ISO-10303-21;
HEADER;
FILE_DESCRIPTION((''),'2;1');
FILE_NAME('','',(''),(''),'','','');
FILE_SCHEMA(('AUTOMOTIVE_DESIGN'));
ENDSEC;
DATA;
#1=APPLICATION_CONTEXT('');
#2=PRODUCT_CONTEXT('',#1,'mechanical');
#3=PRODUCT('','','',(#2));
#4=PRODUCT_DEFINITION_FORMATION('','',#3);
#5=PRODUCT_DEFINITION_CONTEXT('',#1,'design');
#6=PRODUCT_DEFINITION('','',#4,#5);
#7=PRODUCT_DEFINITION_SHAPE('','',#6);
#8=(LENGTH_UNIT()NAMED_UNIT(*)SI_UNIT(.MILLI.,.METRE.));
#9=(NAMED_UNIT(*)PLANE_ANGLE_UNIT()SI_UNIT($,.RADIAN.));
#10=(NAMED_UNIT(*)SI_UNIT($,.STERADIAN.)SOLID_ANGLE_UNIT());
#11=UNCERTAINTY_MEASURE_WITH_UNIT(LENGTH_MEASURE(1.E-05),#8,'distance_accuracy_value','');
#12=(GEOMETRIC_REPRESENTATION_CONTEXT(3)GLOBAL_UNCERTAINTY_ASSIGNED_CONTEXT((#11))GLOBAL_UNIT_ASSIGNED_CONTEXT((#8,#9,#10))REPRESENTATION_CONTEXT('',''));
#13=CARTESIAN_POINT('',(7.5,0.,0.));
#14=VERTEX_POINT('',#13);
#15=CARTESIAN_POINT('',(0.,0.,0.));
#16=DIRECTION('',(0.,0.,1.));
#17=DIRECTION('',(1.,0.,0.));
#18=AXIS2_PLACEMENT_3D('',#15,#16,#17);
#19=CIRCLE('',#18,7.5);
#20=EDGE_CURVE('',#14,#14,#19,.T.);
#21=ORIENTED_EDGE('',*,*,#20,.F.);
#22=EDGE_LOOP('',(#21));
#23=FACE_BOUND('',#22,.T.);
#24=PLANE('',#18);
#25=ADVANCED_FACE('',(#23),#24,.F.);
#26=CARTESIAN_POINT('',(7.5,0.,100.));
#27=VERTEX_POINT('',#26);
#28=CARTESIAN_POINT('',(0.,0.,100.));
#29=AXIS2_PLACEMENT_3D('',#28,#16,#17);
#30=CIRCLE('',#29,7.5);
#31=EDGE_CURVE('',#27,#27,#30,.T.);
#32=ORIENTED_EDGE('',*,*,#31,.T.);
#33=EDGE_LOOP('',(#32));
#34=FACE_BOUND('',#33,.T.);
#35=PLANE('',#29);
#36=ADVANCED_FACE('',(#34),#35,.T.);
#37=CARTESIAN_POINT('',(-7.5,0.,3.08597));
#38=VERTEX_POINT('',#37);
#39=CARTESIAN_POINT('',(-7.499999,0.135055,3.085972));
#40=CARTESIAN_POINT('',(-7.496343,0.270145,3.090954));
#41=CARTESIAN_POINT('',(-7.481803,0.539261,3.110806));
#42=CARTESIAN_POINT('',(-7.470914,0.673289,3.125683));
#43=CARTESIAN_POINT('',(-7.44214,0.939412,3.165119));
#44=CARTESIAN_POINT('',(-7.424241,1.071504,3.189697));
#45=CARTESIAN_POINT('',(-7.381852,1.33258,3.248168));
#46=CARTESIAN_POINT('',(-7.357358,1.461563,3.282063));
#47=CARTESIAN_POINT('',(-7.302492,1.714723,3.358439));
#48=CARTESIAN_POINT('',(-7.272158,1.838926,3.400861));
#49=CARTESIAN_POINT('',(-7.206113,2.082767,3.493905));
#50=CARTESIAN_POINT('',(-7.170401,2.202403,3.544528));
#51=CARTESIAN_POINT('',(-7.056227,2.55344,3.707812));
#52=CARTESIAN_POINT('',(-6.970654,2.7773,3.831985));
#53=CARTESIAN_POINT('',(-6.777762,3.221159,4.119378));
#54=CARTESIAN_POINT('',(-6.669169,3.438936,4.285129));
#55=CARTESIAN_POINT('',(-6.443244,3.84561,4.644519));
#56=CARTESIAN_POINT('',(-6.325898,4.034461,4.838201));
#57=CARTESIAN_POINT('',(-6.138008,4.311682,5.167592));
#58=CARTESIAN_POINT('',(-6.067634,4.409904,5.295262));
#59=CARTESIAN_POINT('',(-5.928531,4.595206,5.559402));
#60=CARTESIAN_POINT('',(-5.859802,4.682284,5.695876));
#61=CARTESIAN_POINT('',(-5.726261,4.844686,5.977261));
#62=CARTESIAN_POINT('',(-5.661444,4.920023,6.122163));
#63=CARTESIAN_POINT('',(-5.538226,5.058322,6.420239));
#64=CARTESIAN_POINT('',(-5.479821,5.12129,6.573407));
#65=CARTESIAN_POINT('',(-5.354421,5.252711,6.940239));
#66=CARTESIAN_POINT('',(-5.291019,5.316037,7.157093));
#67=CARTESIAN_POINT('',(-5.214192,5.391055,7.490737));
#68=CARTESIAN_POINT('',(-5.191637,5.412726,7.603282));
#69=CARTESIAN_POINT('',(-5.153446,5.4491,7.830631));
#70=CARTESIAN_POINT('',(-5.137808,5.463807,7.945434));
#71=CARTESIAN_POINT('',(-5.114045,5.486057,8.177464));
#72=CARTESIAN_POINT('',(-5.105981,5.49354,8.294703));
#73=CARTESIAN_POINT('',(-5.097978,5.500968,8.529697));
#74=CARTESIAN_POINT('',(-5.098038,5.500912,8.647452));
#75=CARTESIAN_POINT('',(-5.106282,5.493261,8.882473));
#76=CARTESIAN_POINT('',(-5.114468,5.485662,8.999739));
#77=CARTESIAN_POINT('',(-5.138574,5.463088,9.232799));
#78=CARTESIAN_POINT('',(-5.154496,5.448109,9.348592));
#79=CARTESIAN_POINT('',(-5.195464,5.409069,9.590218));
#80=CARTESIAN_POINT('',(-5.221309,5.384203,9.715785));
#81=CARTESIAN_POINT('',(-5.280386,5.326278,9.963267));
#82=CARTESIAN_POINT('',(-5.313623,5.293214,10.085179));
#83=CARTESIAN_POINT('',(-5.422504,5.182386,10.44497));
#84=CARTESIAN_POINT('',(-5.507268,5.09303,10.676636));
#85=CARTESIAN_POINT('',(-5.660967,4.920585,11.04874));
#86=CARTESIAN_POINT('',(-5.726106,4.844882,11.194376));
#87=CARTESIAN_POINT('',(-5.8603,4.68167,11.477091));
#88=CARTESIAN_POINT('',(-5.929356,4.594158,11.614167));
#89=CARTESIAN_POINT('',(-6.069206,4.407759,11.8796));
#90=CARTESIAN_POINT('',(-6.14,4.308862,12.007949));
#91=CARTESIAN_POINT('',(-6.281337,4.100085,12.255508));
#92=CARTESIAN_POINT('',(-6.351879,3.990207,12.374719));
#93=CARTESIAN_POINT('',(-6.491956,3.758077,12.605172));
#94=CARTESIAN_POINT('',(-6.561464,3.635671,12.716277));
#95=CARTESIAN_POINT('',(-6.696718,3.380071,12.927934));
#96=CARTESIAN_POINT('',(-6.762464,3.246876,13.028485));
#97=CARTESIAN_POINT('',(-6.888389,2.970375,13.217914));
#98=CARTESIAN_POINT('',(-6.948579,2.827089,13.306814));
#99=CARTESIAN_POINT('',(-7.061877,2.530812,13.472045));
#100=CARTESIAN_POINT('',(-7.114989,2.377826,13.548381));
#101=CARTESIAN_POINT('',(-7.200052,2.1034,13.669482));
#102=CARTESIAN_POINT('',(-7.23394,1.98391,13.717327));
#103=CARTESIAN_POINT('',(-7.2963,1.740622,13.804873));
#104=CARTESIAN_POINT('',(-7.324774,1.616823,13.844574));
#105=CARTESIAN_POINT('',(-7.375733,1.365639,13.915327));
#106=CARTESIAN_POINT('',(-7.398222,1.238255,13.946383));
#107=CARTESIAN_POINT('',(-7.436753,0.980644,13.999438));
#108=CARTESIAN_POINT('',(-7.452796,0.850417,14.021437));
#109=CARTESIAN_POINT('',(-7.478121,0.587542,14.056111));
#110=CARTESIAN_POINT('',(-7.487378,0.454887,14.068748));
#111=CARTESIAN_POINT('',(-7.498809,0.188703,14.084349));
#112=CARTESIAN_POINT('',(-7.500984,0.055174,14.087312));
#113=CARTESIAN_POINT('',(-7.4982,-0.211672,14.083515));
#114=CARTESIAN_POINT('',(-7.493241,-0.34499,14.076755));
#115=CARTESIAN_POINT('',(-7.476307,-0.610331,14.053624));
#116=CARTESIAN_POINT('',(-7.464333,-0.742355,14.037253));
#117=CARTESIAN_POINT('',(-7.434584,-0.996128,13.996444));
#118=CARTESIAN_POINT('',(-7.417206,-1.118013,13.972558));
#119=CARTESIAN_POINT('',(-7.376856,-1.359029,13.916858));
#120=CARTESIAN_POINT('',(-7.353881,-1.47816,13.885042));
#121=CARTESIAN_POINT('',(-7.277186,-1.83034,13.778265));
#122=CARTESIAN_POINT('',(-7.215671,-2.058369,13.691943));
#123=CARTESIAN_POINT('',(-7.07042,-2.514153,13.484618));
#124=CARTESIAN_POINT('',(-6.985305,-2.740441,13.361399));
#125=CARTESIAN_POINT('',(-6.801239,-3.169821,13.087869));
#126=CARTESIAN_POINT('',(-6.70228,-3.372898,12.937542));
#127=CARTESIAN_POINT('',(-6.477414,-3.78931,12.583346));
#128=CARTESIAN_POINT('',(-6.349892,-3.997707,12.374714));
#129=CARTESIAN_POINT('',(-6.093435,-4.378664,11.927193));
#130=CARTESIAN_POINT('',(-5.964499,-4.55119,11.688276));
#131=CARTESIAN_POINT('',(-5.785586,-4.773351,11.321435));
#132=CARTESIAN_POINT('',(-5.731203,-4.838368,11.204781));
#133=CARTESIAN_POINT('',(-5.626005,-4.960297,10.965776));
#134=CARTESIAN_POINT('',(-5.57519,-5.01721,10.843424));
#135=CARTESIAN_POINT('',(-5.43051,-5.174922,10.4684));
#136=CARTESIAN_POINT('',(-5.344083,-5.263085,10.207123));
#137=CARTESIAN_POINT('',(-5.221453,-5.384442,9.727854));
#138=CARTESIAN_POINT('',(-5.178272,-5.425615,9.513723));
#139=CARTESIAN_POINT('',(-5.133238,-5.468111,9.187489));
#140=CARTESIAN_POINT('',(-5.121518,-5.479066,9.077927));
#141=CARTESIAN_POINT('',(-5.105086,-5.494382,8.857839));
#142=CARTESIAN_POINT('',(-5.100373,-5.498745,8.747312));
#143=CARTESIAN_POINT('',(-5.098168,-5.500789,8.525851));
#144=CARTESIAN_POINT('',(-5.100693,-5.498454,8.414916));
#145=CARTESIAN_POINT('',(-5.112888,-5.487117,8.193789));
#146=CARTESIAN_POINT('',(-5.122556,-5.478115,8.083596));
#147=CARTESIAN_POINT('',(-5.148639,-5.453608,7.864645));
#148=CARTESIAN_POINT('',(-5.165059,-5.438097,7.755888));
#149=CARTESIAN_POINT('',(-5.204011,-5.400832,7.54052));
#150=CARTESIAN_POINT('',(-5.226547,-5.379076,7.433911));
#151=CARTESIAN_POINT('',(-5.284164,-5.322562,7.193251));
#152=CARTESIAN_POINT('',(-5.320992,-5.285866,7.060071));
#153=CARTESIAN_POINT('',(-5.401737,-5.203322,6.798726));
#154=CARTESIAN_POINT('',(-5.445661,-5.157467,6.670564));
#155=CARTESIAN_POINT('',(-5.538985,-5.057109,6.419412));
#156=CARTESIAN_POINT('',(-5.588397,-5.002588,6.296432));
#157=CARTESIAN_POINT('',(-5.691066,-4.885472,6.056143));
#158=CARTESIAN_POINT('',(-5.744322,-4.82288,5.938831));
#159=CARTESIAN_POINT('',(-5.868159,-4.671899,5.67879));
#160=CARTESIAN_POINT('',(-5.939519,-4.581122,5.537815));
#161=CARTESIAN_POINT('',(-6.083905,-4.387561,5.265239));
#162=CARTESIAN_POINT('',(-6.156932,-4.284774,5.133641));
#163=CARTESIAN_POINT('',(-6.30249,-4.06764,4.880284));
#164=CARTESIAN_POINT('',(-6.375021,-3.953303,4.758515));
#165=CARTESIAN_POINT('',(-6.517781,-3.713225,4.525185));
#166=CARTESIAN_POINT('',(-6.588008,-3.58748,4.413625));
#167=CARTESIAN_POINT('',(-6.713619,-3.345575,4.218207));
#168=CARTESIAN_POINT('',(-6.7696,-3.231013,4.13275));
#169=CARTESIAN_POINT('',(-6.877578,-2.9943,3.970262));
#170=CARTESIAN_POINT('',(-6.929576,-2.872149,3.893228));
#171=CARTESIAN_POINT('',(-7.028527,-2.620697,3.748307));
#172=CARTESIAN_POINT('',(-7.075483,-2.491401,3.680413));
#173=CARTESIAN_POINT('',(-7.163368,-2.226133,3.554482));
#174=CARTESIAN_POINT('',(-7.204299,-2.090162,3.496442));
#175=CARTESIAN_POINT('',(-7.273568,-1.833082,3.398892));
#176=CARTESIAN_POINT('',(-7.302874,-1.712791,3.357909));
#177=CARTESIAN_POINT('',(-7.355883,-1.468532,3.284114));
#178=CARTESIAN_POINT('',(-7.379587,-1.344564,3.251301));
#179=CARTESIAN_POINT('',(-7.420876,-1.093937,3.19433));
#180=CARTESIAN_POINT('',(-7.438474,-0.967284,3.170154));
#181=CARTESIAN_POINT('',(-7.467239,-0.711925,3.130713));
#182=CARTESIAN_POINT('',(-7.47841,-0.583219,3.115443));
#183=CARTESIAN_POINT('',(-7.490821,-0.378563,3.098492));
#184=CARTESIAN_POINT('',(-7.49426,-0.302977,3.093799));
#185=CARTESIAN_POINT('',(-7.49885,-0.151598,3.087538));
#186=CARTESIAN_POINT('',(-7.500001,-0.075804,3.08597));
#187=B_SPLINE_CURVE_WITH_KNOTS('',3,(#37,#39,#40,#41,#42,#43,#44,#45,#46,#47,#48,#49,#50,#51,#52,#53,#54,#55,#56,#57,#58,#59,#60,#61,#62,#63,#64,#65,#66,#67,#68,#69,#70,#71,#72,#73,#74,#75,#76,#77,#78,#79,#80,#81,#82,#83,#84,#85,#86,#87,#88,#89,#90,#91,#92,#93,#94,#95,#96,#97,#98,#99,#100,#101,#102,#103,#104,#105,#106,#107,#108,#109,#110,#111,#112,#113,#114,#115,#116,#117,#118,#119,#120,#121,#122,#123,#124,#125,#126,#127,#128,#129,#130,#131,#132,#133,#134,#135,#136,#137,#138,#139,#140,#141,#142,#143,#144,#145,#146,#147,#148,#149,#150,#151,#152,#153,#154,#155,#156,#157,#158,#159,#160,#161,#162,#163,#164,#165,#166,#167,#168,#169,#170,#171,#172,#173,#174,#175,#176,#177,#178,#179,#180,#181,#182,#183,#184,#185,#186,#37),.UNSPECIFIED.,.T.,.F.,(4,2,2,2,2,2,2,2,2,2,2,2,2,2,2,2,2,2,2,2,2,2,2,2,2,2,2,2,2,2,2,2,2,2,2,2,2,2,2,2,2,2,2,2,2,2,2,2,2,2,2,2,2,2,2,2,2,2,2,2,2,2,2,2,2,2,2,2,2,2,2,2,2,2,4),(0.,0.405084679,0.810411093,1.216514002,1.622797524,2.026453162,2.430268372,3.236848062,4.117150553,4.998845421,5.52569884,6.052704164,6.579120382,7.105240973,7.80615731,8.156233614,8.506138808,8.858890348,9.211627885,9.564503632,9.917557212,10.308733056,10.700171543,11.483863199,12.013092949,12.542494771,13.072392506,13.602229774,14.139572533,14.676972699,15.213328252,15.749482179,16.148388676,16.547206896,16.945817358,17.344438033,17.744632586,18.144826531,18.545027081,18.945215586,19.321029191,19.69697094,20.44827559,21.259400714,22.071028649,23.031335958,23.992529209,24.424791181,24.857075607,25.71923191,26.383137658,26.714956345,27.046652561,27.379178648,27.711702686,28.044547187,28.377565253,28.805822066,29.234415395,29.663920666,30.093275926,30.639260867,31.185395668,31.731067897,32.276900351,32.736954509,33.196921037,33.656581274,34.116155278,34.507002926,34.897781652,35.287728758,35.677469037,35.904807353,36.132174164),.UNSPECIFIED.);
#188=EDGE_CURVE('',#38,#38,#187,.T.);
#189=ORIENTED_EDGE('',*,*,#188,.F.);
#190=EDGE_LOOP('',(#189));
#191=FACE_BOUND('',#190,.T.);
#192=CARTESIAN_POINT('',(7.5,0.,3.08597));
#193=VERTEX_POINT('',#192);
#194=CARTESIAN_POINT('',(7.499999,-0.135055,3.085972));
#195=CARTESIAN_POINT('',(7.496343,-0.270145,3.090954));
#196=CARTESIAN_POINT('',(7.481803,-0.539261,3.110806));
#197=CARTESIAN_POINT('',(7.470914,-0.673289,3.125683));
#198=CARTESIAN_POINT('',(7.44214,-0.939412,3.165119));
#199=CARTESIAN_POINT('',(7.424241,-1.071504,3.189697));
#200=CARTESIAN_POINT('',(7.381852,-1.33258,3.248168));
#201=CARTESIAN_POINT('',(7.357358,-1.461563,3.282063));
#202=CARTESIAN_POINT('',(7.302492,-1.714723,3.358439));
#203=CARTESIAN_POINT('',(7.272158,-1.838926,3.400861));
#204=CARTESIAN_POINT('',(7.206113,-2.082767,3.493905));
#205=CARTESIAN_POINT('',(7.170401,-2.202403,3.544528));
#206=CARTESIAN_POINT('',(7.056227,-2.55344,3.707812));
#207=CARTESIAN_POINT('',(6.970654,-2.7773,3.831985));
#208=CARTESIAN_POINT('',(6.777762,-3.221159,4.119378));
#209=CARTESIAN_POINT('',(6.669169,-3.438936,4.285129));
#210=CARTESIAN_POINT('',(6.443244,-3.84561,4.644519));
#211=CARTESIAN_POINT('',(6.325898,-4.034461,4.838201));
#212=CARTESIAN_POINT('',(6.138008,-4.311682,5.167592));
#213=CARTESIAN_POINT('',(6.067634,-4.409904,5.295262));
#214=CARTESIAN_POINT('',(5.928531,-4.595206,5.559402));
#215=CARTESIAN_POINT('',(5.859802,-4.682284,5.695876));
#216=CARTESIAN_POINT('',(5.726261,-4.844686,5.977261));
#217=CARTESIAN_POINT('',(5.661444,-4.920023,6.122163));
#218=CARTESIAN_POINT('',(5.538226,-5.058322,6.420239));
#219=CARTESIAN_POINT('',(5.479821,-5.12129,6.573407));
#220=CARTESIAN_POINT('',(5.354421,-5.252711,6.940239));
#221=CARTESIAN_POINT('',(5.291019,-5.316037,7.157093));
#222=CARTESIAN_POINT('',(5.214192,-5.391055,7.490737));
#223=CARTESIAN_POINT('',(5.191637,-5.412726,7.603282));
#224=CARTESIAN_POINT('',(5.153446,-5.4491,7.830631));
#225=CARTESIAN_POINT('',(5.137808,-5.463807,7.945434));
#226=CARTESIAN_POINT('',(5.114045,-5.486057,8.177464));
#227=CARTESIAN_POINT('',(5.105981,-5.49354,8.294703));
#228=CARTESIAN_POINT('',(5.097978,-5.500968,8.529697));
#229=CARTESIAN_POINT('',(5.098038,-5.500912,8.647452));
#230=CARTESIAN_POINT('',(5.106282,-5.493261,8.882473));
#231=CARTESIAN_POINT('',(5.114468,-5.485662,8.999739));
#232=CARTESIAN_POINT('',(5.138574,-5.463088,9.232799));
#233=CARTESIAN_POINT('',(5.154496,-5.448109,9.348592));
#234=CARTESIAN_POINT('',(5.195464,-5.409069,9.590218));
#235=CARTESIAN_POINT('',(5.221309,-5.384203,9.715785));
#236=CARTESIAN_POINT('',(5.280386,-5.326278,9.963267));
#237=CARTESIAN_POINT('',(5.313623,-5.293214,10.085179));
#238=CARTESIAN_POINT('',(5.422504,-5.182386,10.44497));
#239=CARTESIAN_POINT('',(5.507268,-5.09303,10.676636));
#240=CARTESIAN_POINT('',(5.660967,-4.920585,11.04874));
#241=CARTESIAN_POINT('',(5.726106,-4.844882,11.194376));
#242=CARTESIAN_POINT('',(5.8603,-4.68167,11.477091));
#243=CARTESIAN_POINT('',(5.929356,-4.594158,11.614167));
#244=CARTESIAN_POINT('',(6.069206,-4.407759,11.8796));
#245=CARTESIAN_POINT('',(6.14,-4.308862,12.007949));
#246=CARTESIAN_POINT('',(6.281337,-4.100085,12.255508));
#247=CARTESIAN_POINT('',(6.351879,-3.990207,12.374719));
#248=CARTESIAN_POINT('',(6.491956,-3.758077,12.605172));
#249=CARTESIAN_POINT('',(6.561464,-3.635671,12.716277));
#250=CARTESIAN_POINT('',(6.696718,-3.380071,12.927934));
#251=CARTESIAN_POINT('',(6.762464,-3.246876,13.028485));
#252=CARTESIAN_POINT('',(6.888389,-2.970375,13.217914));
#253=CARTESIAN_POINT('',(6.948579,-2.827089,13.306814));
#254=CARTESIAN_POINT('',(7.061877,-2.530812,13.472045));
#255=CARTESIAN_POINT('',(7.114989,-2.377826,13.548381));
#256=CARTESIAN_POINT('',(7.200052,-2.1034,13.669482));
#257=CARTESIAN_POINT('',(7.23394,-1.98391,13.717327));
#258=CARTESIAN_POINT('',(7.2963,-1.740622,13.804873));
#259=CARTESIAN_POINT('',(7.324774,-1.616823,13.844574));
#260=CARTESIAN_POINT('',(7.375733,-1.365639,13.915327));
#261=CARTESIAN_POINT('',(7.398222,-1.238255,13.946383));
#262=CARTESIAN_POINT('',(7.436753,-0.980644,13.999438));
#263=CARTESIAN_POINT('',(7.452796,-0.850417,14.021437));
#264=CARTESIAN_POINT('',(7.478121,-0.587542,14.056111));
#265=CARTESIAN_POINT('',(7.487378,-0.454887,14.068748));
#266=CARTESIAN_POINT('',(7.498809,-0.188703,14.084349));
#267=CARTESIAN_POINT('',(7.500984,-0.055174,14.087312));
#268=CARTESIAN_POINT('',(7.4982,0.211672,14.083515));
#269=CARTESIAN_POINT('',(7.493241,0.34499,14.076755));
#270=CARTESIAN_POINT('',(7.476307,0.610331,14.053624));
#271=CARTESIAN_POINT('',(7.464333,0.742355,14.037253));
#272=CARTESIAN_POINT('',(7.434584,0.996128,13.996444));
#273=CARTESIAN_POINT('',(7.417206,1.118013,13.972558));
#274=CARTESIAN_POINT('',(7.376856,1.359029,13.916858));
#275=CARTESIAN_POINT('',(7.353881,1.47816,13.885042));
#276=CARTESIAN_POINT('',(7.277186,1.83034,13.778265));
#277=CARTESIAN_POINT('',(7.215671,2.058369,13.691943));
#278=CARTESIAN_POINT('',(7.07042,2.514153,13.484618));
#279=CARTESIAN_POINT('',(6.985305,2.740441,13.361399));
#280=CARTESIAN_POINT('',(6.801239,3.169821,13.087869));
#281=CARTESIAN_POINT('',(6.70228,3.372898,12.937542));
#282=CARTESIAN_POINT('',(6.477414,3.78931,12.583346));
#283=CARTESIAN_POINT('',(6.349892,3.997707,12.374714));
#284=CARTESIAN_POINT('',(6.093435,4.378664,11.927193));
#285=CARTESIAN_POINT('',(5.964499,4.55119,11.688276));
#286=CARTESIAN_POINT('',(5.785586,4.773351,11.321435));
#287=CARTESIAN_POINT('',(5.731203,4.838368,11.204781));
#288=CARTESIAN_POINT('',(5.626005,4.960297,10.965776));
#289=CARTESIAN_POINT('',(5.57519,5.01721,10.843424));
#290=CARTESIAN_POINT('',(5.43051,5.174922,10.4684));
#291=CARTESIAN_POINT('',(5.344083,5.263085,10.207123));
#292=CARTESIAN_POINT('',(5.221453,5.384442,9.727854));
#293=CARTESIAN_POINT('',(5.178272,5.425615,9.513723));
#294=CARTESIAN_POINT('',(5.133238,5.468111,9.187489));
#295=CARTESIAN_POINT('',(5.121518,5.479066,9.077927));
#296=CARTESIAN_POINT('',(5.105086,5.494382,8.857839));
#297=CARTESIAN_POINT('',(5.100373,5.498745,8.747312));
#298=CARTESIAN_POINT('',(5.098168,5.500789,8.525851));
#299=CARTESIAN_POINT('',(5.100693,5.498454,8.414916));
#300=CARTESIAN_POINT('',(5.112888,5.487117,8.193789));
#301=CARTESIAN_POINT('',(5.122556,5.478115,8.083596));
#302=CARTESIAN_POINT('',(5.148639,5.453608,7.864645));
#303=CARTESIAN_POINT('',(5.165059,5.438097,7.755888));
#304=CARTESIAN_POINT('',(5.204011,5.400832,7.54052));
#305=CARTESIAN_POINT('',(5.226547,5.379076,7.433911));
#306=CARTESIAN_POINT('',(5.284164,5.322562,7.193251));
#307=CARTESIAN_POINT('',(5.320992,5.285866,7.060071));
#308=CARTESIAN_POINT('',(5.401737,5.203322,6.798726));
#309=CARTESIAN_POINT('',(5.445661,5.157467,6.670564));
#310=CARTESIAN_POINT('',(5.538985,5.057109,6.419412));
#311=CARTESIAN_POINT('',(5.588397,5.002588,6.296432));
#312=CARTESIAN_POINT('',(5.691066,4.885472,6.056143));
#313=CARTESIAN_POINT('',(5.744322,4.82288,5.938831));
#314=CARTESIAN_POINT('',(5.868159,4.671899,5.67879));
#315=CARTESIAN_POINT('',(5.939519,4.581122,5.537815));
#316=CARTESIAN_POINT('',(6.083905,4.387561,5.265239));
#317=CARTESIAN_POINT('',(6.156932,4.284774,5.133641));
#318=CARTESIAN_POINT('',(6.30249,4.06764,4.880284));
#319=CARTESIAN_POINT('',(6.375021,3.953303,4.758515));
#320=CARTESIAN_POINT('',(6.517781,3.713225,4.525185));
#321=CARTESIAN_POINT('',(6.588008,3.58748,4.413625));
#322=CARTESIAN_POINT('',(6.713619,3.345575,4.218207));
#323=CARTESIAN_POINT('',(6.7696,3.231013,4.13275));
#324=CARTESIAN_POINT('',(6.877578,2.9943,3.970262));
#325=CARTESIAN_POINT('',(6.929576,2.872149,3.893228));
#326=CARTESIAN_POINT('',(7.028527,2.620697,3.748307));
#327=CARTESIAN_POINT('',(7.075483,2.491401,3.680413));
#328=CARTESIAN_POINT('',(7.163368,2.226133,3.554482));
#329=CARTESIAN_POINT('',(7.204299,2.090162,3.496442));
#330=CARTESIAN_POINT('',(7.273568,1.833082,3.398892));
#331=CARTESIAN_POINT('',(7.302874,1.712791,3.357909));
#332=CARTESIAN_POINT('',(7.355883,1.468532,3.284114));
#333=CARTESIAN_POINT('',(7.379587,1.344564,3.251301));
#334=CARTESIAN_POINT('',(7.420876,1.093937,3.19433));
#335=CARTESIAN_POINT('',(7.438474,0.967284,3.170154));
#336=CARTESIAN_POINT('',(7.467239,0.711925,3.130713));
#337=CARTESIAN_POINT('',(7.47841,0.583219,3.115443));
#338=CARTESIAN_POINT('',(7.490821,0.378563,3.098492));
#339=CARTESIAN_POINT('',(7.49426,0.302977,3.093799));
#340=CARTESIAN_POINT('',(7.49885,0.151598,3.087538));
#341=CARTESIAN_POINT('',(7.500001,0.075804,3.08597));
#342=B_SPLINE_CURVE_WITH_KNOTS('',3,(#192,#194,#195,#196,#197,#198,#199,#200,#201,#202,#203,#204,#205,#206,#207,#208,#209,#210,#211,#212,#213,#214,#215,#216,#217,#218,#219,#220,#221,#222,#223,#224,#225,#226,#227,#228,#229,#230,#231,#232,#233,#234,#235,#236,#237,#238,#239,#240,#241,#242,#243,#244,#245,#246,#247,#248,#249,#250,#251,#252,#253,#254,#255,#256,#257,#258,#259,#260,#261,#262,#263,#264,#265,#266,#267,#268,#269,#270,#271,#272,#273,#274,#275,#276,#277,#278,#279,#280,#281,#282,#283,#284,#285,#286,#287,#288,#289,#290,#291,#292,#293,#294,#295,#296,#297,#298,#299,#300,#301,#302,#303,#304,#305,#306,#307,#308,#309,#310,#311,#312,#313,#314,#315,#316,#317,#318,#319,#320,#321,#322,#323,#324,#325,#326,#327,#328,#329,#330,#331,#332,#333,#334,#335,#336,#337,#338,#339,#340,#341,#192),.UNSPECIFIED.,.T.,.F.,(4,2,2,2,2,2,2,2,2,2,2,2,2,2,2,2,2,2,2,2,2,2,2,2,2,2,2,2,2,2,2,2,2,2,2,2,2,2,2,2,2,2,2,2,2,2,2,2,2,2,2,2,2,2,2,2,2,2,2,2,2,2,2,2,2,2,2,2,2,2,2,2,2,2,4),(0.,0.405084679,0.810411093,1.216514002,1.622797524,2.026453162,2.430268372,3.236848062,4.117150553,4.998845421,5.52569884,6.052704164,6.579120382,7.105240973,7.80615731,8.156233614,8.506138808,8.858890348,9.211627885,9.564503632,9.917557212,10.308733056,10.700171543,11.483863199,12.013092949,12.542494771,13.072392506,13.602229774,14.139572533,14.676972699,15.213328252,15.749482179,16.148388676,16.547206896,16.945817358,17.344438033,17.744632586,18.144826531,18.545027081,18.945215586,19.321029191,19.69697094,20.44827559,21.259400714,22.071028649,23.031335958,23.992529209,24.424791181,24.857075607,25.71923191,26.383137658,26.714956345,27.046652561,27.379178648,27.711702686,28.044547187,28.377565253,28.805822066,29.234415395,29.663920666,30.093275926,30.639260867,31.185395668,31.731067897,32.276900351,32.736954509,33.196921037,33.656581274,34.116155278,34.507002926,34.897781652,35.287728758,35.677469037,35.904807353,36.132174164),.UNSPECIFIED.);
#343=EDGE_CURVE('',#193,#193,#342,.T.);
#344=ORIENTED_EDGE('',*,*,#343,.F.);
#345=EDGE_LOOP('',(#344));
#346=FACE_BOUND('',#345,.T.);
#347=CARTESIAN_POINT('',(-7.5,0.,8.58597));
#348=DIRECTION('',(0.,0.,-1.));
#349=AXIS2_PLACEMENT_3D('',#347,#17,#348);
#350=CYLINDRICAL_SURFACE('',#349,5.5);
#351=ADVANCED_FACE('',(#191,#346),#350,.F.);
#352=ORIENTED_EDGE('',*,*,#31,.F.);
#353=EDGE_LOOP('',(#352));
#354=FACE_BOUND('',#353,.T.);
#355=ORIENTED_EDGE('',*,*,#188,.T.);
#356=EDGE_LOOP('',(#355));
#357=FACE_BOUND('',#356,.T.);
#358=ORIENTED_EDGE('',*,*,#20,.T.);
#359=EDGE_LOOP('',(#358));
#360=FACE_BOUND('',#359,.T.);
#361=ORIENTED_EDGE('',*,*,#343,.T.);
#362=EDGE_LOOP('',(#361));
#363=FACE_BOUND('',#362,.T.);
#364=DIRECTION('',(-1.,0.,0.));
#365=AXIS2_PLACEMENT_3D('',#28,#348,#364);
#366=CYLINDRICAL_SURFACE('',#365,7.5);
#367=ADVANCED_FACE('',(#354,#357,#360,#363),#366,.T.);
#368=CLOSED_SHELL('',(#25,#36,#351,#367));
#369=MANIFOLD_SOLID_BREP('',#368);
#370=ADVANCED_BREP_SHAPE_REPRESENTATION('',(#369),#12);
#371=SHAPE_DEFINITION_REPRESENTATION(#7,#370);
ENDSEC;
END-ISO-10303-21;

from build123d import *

# Parameters (mm, degrees)
SKETCH1_R               = 7.5
BOSS_EXTRUDE1_DEPTH     = 100
SKETCH2_R               = 5.5
CUT_EXTRUDE1_DEPTH      = 8.5
CUT_EXTRUDE1_DEPTH_BACK = 8.5


with BuildPart() as part:
    # Sketch1 → Boss-Extrude1 (new body)
    with BuildSketch(Plane.XY):
        Circle(SKETCH1_R)
    extrude(amount=BOSS_EXTRUDE1_DEPTH)

    # Sketch2 → Cut-Extrude1 (cut, two sides)
    with BuildSketch(Plane(origin=(0, 0, 0), x_dir=(0, 0, -1), z_dir=(1, 0, 0))) as cut_extrude1_sk:
        with Locations((-8.585970475, 0)):
            Circle(SKETCH2_R)
    extrude(amount=CUT_EXTRUDE1_DEPTH, mode=Mode.SUBTRACT)
    extrude(cut_extrude1_sk.sketch, amount=-CUT_EXTRUDE1_DEPTH_BACK, mode=Mode.SUBTRACT)


solid = part.part
